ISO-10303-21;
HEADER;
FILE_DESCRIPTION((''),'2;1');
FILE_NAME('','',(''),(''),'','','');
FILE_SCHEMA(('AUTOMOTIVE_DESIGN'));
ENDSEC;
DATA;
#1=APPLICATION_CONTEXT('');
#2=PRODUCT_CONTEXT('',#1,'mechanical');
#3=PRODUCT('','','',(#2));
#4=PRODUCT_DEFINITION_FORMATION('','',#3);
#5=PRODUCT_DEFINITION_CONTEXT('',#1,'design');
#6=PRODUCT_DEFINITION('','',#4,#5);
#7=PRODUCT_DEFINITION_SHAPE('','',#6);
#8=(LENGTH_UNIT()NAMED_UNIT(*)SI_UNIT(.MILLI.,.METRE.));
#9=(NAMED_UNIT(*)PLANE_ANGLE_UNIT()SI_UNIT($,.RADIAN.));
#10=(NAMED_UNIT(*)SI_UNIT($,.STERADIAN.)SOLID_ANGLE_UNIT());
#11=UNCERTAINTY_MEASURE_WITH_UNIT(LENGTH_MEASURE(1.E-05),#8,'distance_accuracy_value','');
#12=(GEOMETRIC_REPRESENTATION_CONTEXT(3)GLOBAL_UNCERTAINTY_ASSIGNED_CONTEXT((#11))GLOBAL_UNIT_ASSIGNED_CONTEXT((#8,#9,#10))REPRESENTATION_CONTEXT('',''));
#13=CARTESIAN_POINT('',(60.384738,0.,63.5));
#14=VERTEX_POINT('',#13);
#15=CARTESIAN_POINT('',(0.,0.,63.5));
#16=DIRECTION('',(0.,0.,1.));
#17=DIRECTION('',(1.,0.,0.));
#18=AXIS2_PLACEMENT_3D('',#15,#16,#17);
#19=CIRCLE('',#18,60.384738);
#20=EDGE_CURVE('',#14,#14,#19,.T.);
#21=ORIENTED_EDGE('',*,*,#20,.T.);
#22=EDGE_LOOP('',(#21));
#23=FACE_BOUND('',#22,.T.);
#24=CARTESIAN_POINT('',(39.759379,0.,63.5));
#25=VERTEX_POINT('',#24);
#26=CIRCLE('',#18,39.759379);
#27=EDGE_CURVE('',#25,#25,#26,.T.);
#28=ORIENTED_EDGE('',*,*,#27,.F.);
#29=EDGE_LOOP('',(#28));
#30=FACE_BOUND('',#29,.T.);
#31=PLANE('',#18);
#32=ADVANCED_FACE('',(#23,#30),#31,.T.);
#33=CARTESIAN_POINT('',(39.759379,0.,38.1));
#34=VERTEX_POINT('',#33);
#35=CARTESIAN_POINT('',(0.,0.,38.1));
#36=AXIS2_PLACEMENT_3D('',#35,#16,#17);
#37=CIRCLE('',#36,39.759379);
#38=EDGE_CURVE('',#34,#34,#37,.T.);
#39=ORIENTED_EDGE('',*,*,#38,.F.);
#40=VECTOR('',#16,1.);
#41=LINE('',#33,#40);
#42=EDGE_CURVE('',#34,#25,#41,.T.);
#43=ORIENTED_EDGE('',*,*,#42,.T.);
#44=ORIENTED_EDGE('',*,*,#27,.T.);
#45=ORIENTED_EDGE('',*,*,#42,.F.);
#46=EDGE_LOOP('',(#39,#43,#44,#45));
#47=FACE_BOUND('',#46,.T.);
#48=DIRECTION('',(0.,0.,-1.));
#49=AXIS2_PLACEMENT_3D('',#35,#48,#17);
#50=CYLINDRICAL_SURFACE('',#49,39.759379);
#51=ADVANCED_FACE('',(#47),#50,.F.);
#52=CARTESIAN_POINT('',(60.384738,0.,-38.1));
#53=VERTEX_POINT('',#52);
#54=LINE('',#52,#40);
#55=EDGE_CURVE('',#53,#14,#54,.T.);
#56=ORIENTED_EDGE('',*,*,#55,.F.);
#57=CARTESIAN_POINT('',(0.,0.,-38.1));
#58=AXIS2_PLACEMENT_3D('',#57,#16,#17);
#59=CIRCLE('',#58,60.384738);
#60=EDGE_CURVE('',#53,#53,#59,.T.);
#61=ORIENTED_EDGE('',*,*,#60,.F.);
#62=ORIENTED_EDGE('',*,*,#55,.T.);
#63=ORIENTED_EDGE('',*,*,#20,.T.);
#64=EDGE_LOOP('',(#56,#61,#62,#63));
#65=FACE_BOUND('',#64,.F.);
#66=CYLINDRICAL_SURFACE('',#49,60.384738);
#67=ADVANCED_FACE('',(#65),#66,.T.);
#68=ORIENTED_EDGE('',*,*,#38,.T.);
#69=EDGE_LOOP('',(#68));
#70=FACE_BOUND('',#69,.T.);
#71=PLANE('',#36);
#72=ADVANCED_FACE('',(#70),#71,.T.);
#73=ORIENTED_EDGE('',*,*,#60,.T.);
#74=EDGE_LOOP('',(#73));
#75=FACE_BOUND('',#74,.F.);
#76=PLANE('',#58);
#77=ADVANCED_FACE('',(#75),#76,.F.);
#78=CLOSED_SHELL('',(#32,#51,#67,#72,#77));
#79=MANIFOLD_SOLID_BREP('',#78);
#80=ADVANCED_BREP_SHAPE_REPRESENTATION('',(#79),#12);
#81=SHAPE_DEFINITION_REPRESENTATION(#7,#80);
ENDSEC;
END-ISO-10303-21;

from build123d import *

# Parameters (mm, degrees)
F0_R     = 60.384738
F1_DEPTH = 38.1
F2_R     = 60.384738
F2_R_2   = 39.759379
F3_DEPTH = 25.4


with BuildPart() as f1:
    # F0 (on Top) → F1 (new body, symmetric)
    with BuildSketch(Plane.XY):
        Circle(F0_R)
    extrude(amount=F1_DEPTH, both=True)

    # F2 (on face) → F3 (join)
    with BuildSketch(Plane.XY.offset(38.1)):
        Circle(F2_R)
        Circle(F2_R_2, mode=Mode.SUBTRACT)
    extrude(amount=F3_DEPTH)


solid = f1.part
